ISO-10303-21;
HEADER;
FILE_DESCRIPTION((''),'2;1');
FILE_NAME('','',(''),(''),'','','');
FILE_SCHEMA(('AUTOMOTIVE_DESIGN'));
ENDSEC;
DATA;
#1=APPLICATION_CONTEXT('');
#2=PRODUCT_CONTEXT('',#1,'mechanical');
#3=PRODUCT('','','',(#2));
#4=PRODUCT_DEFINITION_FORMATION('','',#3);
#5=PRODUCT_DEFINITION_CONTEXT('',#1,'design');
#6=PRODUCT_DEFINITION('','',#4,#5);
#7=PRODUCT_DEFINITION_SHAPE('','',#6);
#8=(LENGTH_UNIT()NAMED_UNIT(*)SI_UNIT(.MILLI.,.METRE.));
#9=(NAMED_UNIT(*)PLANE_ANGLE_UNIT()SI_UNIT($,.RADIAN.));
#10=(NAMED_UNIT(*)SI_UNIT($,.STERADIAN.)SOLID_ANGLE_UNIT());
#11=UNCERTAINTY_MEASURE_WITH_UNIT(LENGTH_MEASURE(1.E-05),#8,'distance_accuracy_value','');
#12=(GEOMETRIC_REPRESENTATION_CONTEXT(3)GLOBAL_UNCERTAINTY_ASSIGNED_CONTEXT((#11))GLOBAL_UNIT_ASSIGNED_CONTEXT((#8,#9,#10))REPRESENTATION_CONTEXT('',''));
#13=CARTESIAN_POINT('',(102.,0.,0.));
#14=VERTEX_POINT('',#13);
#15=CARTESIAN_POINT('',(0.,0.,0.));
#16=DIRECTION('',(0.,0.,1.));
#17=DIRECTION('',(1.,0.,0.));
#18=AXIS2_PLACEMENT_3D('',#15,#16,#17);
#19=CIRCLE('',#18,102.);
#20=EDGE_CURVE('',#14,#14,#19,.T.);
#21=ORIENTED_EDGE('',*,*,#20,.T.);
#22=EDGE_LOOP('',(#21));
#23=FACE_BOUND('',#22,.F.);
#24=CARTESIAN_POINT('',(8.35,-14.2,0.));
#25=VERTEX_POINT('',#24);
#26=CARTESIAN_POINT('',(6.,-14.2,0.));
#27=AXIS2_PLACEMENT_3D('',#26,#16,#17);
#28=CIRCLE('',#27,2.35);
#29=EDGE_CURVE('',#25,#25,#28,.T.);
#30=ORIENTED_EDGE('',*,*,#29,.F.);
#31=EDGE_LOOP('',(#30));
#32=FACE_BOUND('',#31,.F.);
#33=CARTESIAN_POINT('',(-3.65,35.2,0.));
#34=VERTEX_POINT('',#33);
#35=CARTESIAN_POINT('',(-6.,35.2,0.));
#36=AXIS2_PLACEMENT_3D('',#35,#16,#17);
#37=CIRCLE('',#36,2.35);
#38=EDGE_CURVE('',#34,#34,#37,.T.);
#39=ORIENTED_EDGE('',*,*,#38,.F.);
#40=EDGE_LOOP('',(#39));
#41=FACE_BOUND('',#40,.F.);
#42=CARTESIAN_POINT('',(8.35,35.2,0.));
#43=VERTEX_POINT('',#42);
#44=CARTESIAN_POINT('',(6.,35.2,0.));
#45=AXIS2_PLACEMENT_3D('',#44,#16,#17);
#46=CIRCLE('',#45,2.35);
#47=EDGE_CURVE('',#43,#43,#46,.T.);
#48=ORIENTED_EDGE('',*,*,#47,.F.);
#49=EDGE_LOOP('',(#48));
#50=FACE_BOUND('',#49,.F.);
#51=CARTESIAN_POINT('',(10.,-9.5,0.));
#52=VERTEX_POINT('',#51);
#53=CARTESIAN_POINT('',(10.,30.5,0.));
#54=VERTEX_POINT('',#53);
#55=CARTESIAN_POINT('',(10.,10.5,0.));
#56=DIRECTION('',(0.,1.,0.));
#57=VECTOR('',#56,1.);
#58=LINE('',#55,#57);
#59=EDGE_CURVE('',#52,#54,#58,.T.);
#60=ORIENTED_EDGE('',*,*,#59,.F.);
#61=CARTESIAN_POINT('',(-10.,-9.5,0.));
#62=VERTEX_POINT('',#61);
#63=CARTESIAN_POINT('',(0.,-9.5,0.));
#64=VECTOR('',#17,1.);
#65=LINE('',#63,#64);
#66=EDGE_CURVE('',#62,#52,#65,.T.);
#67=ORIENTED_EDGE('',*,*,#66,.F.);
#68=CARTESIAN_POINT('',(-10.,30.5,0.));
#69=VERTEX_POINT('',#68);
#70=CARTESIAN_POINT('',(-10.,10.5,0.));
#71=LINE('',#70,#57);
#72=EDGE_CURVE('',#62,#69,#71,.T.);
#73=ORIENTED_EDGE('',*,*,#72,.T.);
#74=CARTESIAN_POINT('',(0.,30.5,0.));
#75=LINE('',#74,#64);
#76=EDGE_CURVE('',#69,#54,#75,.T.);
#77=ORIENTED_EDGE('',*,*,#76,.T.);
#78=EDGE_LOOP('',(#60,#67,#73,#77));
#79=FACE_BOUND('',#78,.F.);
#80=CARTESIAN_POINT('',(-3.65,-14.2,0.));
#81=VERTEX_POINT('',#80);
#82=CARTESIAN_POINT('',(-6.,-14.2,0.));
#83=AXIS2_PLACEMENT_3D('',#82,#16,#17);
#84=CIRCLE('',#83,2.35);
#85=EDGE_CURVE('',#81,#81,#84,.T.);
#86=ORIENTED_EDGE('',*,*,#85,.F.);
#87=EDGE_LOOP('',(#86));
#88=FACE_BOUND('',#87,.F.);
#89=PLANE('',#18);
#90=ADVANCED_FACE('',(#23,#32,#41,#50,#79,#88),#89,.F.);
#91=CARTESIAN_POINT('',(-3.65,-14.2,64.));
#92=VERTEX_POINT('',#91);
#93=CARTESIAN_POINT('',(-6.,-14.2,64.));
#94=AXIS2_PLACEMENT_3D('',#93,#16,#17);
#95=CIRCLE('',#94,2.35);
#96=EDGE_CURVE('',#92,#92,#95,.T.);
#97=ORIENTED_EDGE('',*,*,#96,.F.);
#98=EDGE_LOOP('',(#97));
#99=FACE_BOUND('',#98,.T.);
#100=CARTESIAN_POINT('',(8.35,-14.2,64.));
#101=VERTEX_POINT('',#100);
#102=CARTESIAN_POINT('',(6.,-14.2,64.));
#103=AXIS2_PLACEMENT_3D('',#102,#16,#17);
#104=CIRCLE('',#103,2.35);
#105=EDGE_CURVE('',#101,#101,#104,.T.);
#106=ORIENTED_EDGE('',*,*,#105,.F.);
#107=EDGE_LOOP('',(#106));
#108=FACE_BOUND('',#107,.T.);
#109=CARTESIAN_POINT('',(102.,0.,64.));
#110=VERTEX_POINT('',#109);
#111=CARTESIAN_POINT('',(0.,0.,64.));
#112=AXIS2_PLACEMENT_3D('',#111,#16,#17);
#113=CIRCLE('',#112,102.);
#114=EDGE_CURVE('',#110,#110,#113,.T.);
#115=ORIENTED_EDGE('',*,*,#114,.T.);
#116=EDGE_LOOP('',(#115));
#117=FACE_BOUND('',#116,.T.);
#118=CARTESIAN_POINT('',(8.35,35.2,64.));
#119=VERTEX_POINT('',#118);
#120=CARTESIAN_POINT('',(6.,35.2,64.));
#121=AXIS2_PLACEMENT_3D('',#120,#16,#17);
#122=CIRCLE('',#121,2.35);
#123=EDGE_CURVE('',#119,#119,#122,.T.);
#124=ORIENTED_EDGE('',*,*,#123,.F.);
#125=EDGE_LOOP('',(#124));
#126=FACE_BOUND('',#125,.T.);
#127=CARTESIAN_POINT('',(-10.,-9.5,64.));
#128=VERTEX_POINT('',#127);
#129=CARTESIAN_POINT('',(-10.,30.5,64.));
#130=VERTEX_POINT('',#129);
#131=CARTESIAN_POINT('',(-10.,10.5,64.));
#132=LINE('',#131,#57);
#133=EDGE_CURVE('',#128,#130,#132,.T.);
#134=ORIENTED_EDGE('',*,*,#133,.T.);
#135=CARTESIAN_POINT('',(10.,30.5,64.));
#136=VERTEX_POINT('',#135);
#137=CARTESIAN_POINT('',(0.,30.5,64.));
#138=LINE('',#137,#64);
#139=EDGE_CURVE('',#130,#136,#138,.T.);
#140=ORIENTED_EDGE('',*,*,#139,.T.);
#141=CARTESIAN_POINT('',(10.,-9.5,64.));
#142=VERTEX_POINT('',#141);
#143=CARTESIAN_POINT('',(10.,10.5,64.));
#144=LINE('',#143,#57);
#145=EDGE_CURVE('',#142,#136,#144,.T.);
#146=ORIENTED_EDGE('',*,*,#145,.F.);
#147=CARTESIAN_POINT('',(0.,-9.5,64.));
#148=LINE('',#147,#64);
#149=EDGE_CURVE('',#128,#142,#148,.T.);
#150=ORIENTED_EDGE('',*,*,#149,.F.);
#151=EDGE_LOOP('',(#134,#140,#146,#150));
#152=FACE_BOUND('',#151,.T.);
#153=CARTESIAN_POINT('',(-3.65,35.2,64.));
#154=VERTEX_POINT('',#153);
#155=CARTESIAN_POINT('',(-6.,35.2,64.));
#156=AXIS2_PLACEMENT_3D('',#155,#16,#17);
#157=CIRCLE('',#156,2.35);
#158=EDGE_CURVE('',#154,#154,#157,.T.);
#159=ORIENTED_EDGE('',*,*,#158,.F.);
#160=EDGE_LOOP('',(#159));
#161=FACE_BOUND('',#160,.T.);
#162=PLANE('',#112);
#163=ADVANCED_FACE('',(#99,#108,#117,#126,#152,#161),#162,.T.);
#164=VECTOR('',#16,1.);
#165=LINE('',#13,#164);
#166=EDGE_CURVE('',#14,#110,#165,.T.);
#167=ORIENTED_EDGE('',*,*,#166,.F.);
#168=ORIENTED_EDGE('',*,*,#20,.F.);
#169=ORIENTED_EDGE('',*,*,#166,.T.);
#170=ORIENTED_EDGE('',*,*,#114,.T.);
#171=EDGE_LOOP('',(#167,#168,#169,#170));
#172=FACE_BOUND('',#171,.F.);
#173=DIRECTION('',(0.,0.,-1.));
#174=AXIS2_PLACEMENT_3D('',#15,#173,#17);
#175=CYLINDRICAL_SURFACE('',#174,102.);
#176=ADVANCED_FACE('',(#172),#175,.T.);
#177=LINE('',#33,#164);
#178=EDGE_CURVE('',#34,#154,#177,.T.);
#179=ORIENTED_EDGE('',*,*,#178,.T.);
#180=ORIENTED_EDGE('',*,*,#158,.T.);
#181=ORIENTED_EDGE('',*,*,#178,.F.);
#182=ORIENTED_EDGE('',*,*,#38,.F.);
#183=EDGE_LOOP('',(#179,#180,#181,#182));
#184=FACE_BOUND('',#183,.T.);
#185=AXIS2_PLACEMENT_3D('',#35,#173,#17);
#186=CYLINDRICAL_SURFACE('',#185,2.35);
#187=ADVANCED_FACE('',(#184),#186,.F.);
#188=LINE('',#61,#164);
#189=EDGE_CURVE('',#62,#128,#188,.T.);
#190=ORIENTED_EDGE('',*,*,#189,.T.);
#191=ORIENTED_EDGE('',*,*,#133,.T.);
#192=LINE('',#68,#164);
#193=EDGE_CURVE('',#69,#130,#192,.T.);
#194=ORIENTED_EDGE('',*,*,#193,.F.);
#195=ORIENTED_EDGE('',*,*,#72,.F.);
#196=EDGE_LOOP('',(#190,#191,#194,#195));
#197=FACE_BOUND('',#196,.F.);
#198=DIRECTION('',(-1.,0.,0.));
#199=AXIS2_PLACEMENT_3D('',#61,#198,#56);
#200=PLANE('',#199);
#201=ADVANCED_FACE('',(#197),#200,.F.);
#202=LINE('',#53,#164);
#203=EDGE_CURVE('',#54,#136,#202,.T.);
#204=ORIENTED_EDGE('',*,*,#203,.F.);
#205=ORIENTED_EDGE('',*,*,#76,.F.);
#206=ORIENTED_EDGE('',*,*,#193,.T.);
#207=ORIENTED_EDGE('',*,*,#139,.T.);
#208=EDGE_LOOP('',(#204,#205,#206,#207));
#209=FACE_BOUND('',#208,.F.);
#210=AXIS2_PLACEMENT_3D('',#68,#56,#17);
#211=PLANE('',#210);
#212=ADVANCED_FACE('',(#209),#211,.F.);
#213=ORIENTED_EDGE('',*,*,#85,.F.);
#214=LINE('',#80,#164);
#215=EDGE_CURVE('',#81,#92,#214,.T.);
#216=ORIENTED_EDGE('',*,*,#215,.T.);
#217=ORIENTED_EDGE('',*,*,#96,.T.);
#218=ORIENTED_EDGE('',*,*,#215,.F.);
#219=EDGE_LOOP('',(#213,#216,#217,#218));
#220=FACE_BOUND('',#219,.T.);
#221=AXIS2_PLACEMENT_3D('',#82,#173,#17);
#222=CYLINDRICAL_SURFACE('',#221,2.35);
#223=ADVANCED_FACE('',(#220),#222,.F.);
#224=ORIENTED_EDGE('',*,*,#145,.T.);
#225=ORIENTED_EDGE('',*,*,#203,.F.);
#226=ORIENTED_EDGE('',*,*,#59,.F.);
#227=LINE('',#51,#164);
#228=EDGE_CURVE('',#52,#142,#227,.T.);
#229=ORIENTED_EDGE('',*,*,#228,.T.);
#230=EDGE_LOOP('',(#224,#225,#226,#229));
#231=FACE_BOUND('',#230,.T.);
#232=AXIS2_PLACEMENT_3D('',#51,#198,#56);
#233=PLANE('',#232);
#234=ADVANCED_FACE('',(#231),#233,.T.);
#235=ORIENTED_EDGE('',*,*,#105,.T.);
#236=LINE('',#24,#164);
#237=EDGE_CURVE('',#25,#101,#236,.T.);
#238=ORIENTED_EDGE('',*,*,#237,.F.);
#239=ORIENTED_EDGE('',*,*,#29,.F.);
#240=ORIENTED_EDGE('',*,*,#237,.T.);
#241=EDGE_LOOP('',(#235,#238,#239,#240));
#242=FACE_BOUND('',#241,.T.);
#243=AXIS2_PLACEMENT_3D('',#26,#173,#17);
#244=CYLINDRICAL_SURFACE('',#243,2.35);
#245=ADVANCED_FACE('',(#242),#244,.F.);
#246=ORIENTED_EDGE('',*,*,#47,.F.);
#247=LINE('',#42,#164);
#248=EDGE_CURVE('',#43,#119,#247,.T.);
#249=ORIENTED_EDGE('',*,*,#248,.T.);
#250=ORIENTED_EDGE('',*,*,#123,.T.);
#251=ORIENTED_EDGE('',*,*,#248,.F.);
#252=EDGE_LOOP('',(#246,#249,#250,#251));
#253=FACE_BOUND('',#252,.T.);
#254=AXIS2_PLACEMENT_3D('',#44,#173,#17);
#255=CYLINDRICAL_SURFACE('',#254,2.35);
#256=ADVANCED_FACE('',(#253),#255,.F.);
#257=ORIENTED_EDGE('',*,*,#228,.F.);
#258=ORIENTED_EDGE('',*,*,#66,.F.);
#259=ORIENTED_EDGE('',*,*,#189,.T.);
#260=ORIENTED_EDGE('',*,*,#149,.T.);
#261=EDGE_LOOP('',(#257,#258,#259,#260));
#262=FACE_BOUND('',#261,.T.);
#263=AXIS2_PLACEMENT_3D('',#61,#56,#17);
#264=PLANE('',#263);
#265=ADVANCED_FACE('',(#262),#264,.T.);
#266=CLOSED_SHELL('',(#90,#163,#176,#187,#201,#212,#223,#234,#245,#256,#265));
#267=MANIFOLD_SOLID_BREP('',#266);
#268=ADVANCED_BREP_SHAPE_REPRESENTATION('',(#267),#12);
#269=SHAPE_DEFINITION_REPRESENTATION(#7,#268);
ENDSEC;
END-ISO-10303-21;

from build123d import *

# Parameters (mm, degrees)
F0_R     = 102
F0_R_2   = 2.35
F0_W     = 20
F0_H     = 40
F1_DEPTH = 64


with BuildPart() as f1:
    # F0 (on Top) → F1 (new body)
    with BuildSketch(Plane.XY):
        Circle(F0_R)
        with Locations((-6, -14.2)):
            Circle(F0_R_2, mode=Mode.SUBTRACT)
        with Locations((6, -14.2)):
            Circle(F0_R_2, mode=Mode.SUBTRACT)
        with Locations((-6, 35.2)):
            Circle(F0_R_2, mode=Mode.SUBTRACT)
        with Locations((0, 10.5)):
            Rectangle(F0_W, F0_H, mode=Mode.SUBTRACT)
        with Locations((6, 35.2)):
            Circle(F0_R_2, mode=Mode.SUBTRACT)
    extrude(amount=F1_DEPTH)


solid = f1.part
